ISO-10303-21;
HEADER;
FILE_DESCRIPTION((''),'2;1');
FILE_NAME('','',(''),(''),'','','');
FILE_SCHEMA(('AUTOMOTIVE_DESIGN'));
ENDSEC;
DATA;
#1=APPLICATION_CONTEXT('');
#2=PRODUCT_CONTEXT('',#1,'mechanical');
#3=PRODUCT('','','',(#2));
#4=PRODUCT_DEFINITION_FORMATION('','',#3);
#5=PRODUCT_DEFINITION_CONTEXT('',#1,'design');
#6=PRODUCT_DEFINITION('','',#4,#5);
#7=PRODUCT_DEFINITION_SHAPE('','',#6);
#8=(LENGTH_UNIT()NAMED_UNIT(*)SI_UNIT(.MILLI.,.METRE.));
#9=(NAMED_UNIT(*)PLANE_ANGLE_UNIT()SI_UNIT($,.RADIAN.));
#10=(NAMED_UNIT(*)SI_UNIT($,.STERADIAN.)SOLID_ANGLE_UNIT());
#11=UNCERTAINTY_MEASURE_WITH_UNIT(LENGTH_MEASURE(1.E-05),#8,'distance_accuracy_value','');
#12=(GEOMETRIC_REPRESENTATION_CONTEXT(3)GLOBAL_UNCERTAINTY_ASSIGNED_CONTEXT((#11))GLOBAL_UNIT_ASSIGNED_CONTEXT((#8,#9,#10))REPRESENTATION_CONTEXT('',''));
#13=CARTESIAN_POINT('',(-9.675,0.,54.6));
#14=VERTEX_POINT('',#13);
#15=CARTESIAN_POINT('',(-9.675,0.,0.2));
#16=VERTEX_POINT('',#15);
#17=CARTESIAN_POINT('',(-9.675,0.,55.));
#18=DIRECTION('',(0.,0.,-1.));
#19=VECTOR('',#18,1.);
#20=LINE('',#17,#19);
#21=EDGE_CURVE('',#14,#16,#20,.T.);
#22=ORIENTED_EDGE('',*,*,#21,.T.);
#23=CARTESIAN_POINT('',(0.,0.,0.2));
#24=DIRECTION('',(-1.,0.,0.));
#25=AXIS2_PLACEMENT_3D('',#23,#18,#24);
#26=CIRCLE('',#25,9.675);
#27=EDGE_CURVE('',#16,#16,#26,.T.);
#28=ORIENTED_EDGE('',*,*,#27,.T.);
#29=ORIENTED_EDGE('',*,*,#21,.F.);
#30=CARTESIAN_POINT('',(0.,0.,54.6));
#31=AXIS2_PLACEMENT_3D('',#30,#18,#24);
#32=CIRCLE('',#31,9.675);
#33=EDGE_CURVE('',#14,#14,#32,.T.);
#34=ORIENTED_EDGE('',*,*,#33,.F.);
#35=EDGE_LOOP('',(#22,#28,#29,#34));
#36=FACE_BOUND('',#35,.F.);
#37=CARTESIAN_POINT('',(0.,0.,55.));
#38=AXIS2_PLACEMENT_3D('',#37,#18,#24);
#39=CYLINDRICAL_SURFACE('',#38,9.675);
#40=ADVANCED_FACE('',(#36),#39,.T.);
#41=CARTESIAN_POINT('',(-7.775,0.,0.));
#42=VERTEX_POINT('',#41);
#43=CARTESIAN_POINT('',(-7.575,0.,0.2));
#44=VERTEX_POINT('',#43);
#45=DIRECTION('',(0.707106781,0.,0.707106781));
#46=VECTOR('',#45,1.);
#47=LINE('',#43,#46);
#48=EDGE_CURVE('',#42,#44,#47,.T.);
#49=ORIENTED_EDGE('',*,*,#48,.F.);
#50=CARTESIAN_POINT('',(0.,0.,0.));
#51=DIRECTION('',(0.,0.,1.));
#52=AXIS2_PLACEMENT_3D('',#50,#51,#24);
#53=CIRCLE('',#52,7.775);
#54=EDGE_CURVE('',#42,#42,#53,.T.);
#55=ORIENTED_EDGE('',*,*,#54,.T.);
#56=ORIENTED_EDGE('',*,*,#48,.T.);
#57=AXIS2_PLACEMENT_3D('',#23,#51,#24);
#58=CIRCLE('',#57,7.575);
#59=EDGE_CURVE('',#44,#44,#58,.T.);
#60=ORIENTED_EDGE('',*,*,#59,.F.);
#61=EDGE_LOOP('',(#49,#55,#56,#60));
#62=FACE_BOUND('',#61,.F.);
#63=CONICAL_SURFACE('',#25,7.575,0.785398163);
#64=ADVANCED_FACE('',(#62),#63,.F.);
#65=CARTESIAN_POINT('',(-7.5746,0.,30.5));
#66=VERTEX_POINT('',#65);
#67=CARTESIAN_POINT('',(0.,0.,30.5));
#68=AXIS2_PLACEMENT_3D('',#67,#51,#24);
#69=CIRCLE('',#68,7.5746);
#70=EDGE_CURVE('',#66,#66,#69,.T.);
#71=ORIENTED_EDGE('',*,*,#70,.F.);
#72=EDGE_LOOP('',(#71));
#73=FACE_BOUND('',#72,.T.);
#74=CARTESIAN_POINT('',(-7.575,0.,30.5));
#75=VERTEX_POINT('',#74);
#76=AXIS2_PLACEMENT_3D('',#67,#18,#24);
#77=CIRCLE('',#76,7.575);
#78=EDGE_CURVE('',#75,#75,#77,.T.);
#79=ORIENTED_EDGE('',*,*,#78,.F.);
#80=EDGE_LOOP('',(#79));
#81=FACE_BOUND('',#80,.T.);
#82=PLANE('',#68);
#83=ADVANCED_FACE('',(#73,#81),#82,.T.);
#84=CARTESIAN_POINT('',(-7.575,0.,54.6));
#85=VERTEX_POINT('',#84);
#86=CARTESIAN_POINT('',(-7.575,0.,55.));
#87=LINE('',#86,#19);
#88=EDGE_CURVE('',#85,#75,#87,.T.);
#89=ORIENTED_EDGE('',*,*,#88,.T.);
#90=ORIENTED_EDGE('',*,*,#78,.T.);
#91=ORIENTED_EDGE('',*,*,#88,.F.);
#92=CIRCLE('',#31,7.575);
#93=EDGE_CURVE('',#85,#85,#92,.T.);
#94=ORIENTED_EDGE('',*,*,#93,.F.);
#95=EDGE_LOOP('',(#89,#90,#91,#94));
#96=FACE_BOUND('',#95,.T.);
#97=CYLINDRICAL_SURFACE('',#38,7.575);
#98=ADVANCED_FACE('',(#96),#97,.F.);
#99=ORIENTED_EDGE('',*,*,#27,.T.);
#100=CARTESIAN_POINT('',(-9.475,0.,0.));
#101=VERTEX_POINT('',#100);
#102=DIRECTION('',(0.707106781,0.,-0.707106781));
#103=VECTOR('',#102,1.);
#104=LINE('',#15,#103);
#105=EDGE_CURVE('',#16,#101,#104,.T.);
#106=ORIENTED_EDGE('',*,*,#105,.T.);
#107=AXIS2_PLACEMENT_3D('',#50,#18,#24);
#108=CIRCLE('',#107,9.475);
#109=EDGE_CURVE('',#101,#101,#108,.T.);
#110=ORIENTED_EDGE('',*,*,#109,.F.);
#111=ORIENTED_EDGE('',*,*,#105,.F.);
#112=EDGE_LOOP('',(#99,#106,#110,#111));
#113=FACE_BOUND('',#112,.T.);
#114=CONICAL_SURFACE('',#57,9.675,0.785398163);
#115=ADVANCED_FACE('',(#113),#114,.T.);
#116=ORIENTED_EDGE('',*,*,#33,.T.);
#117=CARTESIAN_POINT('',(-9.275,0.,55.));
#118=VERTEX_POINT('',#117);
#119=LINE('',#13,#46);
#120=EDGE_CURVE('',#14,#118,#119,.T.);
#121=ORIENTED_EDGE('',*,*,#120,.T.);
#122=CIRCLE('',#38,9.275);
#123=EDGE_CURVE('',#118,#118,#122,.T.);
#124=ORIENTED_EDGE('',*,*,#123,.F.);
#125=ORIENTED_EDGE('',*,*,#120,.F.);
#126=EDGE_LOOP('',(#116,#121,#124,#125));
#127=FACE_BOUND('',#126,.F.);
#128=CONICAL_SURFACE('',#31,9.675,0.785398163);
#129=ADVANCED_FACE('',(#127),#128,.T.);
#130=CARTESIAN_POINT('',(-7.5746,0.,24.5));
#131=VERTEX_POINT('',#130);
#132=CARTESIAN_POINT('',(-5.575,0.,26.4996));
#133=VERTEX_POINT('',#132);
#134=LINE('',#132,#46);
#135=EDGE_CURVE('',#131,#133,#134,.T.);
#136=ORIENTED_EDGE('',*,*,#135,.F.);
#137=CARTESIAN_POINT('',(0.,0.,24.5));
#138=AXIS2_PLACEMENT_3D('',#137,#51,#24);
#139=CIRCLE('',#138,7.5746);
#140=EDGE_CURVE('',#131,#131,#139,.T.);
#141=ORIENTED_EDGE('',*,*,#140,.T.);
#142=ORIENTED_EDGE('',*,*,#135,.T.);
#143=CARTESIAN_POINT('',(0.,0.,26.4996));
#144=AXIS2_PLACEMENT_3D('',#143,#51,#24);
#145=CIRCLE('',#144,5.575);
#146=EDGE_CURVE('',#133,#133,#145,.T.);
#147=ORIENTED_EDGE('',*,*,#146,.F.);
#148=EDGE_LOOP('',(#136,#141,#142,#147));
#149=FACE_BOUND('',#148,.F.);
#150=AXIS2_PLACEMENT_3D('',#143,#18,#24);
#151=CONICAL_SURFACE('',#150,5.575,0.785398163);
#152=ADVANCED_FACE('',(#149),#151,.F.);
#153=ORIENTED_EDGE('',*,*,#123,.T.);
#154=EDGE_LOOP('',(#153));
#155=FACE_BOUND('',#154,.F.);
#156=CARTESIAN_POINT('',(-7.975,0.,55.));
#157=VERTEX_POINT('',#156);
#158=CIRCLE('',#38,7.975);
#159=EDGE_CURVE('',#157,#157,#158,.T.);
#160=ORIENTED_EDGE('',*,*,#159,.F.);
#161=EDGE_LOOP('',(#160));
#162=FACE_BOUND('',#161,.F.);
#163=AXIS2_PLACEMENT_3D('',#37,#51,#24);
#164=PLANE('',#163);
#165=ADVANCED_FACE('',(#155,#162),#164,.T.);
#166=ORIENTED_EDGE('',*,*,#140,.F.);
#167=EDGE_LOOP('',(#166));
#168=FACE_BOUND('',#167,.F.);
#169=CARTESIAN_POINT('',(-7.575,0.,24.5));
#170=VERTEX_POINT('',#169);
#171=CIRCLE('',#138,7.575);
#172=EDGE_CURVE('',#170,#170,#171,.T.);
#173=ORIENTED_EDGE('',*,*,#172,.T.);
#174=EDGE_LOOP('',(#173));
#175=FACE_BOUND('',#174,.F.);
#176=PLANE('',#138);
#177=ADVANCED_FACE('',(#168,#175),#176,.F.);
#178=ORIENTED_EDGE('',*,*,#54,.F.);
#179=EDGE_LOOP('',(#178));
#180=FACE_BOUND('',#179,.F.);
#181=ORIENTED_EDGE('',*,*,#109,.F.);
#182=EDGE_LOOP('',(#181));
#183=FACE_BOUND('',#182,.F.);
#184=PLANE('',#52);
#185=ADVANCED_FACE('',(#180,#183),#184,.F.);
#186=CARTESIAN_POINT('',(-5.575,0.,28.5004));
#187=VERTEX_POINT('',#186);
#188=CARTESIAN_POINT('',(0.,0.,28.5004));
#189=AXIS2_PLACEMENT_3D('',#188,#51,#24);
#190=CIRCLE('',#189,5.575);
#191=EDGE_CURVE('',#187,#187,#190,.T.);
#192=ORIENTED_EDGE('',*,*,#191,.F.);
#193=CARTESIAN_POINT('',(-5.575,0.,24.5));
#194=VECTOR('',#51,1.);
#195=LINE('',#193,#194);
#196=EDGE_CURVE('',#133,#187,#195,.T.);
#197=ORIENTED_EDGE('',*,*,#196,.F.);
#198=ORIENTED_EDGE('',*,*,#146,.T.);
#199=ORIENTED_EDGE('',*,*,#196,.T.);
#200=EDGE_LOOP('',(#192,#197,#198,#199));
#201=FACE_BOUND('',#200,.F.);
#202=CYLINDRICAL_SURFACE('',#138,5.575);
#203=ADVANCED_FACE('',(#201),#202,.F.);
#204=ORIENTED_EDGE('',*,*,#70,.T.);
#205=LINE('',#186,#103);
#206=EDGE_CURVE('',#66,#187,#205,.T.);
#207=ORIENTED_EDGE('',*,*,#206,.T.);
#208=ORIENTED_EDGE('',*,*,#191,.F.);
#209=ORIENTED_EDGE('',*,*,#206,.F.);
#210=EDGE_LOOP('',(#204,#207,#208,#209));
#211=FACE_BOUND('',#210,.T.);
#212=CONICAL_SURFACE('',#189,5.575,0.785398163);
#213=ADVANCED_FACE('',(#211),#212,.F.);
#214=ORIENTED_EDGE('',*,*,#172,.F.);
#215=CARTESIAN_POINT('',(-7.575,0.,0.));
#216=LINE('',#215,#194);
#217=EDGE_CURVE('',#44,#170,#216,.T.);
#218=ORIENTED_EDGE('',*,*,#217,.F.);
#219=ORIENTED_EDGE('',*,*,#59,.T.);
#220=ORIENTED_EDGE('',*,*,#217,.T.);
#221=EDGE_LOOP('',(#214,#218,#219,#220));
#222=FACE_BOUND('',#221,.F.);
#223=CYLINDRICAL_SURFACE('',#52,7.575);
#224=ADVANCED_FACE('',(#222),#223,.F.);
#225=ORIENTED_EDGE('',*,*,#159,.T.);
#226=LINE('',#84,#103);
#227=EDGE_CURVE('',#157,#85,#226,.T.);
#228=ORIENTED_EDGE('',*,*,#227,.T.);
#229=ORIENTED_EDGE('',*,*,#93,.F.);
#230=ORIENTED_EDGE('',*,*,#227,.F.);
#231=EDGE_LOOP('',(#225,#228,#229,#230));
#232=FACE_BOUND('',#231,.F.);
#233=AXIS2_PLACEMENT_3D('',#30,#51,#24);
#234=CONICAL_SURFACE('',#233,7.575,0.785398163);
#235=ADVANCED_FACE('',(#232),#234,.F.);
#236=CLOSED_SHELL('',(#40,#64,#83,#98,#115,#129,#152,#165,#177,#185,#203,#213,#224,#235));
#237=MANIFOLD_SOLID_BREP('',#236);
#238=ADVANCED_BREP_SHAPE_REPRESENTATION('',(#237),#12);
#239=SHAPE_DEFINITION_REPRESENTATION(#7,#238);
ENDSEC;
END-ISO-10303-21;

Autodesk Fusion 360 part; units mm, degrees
sketch "Sketch1" plane through (0, 0, 0) normal (0, 1, 0) x (1, 0, 0)
  line L0 (0, 0) -> (0, -55)
  line L1 (0, -55) -> (-9.675, -55)
  line L2 (-9.675, -55) -> (-9.675, 0)
  line L3 (-9.675, 0) -> (0, 0)
  line L4 (-7.5, -55) -> (-7.5, -30.5)
  line L5 (-7.5, 0) -> (-7.5, -24.5)
  line L6 (-7.5, -24.5) -> (0, -24.5)
  line L7 (-7.5, -30.5) -> (0, -30.5)
  line L8 (-7.5, -24.5) -> (-7.5, -30.5)
  line L9 (-5.5, -24.5) -> (-5.5, -30.5)
  dimension "d1" = 19.35
  dimension "d2" = 55
  dimension "d5" = 24.5
  dimension "d6" = 24.5
  dimension "d7" = 15
  dimension "d27" = 2
revolve "Revolve1" add sketch "Sketch1" angle 360 about axis through (0, 0, 0) along (0, 0, 1) contours L1 L2 L3 L4 L5 L8 | L6 L7 L8 L9
move_face "OffsetFaces2" offset -0.075 3 faces at (-7.4627, 0.7468, 46.8333) (-7.4907, 0.3738, 16.3333) (-5.4932, 0.2742, 26.5)
chamfer "Chamfer5" distance 0.4 angle 45 2 edges at (7.0624, -2.7392, 55) (-9.0203, 3.4986, 55)
chamfer "Chamfer6" distance 0.2 angle 45 2 edges at (7.0624, -2.7392, 0) (-9.0203, 3.4986, 0)
chamfer "Chamfer7" distance 2 angle 45 2 edges at (5.1977, -2.016, 24.5) (5.1977, -2.016, 30.5)
equation "d6 = d5"
equation "tolerance = ( 0.15 / 2 ) * 1 mm"
equation "d28 = -tolerance"
